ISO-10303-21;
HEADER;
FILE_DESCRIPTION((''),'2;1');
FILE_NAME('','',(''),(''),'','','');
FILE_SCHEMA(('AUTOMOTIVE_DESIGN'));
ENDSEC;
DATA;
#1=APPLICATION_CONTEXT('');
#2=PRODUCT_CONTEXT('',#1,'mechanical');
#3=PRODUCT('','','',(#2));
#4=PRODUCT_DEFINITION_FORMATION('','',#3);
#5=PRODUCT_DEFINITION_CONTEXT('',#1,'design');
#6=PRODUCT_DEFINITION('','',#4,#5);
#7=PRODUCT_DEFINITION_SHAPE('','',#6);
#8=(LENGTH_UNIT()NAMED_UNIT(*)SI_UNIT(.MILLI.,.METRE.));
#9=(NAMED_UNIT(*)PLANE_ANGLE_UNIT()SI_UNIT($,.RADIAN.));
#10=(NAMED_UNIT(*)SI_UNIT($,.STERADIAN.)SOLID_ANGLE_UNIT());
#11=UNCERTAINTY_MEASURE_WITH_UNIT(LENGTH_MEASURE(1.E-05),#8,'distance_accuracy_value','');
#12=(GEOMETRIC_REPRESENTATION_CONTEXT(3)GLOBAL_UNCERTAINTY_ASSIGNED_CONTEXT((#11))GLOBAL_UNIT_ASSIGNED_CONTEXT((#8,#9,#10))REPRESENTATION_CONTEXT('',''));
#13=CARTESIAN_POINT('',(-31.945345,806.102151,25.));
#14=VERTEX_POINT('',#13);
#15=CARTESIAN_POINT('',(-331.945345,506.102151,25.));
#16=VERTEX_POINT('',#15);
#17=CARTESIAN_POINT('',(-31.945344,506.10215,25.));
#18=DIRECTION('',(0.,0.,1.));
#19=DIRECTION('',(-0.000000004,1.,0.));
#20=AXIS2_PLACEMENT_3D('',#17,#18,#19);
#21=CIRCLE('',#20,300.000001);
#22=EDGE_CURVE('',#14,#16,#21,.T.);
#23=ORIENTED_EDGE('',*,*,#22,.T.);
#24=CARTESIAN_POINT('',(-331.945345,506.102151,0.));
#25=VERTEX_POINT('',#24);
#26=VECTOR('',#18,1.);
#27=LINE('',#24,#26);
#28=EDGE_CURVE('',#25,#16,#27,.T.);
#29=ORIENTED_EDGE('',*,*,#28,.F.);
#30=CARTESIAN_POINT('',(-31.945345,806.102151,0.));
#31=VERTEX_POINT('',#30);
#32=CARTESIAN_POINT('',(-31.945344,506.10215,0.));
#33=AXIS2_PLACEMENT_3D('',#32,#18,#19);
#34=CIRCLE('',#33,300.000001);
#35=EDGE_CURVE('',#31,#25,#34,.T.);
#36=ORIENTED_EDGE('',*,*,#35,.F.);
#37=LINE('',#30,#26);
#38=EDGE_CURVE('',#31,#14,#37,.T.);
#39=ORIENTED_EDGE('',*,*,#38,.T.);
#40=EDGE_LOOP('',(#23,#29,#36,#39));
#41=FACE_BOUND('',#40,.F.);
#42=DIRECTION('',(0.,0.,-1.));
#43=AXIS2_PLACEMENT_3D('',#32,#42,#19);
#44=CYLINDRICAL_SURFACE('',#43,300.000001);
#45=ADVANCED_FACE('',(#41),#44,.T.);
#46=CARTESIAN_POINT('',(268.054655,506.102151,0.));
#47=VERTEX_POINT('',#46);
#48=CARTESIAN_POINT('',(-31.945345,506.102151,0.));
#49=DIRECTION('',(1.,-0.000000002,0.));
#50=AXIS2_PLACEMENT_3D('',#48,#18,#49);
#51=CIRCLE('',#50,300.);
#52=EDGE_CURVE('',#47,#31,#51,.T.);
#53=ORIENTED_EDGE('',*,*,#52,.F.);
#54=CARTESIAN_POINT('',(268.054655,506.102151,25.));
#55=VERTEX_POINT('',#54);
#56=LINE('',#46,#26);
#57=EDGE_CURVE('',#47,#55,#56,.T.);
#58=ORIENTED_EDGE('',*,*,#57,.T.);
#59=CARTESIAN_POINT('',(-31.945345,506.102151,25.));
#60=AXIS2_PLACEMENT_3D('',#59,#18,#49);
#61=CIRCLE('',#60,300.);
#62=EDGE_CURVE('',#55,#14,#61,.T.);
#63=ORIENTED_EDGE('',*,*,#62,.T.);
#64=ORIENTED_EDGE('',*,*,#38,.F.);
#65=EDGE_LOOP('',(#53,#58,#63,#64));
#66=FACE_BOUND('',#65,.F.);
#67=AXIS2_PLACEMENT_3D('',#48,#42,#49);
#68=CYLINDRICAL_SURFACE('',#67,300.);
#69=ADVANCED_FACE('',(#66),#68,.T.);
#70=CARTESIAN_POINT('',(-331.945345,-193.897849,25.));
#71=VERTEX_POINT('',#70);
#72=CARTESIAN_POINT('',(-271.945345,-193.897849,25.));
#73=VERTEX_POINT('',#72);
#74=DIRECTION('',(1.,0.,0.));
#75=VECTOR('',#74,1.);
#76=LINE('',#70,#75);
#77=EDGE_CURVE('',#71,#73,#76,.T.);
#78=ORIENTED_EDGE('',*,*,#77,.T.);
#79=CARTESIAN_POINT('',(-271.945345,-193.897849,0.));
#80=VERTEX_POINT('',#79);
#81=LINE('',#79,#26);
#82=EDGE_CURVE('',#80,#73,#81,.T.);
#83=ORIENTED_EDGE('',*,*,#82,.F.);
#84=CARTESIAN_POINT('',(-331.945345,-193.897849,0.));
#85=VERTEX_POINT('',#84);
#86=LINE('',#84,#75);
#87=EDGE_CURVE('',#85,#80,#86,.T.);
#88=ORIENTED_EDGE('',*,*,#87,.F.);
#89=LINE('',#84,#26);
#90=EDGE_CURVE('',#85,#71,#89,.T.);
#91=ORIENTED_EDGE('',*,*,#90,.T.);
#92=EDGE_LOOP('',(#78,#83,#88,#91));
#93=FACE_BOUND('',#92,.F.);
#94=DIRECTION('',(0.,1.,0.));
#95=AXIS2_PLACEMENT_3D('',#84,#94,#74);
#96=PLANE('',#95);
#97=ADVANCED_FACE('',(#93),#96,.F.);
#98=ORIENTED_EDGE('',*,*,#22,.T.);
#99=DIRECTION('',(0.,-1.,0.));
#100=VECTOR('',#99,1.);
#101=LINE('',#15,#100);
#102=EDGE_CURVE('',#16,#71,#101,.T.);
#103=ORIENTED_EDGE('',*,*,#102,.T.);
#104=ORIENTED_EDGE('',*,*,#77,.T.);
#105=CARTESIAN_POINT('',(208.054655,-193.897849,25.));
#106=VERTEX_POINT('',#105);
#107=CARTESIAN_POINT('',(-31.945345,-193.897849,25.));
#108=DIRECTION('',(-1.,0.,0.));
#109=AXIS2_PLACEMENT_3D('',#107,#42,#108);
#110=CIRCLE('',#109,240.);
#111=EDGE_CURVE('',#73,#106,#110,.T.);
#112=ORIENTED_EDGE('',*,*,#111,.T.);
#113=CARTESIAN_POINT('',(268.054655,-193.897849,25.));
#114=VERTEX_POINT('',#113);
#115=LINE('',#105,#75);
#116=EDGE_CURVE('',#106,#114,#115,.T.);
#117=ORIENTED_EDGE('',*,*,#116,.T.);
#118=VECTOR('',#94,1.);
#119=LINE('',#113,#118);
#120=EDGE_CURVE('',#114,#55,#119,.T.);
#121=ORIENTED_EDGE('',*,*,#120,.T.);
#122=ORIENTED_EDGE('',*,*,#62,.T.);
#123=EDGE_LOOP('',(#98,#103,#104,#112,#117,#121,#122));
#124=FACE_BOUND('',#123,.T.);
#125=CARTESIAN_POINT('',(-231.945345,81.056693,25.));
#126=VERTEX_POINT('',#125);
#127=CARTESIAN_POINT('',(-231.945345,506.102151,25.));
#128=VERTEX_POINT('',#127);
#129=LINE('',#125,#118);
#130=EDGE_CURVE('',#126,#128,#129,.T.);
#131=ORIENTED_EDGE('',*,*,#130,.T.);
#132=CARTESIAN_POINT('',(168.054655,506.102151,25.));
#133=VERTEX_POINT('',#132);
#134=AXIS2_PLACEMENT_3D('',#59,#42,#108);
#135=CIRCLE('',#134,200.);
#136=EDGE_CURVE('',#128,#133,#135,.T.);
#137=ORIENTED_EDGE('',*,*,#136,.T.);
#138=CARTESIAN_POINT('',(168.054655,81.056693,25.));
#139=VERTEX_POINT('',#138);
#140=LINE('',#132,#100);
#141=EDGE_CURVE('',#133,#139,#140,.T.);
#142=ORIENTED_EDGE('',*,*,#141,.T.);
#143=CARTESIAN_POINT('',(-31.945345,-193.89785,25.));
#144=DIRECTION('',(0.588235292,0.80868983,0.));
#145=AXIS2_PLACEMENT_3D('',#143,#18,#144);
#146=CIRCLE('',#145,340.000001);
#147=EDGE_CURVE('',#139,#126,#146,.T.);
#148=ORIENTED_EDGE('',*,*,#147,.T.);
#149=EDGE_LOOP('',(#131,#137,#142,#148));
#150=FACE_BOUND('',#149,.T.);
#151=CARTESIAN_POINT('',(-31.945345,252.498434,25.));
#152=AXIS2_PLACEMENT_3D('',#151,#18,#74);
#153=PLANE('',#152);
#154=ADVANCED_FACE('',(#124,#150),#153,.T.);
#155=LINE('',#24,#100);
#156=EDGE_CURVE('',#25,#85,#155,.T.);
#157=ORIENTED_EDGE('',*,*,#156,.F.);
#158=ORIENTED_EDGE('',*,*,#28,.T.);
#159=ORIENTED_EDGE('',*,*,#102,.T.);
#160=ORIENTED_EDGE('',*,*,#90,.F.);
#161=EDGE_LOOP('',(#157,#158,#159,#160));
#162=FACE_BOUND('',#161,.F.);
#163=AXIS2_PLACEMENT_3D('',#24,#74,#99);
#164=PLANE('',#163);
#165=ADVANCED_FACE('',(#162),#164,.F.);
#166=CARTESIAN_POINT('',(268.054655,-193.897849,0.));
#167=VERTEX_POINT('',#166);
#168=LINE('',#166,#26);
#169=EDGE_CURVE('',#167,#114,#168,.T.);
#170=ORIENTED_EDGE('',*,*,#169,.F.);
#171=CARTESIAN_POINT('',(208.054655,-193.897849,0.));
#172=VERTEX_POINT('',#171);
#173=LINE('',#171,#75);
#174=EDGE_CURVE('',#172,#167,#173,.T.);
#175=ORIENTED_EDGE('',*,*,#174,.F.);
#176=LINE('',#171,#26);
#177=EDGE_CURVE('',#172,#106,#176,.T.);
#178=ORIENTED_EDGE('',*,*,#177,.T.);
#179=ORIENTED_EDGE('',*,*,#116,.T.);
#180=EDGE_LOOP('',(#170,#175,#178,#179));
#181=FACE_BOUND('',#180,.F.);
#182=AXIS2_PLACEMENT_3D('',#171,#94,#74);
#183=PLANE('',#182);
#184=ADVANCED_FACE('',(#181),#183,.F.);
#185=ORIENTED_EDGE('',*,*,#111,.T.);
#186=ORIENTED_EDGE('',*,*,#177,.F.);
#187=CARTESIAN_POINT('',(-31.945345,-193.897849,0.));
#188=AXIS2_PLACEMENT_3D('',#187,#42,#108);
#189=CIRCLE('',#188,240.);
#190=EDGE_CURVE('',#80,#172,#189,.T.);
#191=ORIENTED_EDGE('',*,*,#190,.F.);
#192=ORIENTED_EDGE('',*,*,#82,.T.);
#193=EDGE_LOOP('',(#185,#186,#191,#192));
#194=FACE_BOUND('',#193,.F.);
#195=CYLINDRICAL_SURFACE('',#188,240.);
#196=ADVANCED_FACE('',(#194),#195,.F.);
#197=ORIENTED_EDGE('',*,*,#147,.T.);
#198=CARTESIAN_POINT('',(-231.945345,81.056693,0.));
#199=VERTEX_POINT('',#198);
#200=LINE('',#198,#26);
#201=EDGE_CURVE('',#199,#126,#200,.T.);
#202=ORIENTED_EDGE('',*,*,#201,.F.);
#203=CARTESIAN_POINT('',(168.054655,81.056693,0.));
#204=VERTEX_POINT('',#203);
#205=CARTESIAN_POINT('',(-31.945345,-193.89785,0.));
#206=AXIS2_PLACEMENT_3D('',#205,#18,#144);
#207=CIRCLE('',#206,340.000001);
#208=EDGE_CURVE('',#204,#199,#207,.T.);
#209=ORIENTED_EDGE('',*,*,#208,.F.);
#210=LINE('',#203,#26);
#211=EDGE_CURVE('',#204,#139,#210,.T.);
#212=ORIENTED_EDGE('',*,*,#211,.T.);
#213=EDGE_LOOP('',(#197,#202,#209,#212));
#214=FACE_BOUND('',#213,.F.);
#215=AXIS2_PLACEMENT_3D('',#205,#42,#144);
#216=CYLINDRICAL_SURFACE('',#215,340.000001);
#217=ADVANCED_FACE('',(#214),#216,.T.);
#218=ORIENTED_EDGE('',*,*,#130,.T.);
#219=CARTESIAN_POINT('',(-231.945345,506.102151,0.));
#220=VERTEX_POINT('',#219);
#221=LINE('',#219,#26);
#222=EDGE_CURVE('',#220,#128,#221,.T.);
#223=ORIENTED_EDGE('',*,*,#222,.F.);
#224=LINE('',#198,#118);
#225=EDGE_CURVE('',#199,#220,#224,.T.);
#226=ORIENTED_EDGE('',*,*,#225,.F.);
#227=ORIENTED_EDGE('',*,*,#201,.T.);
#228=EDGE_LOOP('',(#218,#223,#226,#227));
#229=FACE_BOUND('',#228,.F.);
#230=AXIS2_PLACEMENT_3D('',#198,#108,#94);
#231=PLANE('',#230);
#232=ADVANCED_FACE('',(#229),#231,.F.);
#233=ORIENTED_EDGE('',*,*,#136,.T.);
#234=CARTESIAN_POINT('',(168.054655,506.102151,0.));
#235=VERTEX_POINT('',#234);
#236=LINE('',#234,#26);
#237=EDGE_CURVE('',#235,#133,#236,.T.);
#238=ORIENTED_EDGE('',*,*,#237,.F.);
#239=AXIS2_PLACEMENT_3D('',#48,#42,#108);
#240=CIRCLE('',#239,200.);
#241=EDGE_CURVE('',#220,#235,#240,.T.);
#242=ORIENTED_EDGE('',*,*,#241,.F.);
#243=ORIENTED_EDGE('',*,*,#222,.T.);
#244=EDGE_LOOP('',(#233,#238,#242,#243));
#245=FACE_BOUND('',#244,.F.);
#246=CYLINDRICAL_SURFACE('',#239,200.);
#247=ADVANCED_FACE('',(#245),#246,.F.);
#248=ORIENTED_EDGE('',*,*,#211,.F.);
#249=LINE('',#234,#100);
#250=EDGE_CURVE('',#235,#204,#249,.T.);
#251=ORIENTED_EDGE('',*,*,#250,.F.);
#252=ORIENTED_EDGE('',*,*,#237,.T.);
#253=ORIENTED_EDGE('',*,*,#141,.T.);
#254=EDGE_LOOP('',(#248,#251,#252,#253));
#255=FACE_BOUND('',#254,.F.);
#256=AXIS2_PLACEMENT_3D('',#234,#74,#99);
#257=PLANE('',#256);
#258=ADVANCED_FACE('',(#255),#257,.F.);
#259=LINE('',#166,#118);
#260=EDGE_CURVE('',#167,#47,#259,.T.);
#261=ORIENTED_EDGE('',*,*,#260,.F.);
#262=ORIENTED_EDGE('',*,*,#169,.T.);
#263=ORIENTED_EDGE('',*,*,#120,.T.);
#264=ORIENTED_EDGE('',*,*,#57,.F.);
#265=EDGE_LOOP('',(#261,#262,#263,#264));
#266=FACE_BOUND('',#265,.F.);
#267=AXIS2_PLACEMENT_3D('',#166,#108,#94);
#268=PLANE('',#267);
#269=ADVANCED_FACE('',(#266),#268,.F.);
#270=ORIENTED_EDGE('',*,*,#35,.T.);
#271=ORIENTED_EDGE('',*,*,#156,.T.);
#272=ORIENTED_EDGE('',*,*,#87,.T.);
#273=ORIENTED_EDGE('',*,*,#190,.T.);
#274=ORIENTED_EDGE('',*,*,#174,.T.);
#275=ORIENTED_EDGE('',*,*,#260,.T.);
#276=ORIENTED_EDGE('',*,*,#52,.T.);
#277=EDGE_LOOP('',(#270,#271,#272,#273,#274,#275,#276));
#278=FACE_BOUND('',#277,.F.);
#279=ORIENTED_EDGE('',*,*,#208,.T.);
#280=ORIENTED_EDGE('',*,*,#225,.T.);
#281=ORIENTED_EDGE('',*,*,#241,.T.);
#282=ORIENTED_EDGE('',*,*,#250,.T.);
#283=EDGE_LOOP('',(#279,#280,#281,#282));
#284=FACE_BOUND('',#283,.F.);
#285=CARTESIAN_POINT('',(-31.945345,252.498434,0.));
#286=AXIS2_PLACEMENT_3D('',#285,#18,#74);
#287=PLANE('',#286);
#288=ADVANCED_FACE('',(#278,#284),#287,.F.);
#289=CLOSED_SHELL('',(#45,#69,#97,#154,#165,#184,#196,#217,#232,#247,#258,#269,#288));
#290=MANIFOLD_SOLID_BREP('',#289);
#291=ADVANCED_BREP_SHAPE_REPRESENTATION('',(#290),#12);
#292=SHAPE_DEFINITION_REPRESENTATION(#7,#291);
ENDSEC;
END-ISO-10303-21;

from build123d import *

# Parameters (mm, degrees)
F1_DEPTH = 25


with BuildPart() as f1:
    # F0 (on Top) → F1 (new body)
    with BuildSketch(Plane.XY):
        with BuildLine():
            ThreePointArc((-31.945345, 806.102151), (-244.077379, 718.234185), (-331.945345, 506.102151))
            Line((-331.945345, 506.102151), (-331.945345, -193.897849))
            Line((-331.945345, -193.897849), (-271.945345, -193.897849))
            ThreePointArc((-271.945345, -193.897849), (-31.945345, 46.102151), (208.054655, -193.897849))
            Line((208.054655, -193.897849), (268.054655, -193.897849))
            Line((268.054655, -193.897849), (268.054655, 506.102151))
            ThreePointArc((268.054655, 506.102151), (180.18669, 718.234185), (-31.945345, 806.102151))
        make_face()
        with BuildLine():
            ThreePointArc((-231.945345, 506.102151), (-31.945345, 706.102151), (168.054655, 506.102151))
            Line((168.054655, 506.102151), (168.054655, 81.056693))
            ThreePointArc((168.054655, 81.056693), (-31.945345, 146.102151), (-231.945345, 81.056693))
            Line((-231.945345, 81.056693), (-231.945345, 506.102151))
        make_face(mode=Mode.SUBTRACT)
    extrude(amount=F1_DEPTH)


solid = f1.part
